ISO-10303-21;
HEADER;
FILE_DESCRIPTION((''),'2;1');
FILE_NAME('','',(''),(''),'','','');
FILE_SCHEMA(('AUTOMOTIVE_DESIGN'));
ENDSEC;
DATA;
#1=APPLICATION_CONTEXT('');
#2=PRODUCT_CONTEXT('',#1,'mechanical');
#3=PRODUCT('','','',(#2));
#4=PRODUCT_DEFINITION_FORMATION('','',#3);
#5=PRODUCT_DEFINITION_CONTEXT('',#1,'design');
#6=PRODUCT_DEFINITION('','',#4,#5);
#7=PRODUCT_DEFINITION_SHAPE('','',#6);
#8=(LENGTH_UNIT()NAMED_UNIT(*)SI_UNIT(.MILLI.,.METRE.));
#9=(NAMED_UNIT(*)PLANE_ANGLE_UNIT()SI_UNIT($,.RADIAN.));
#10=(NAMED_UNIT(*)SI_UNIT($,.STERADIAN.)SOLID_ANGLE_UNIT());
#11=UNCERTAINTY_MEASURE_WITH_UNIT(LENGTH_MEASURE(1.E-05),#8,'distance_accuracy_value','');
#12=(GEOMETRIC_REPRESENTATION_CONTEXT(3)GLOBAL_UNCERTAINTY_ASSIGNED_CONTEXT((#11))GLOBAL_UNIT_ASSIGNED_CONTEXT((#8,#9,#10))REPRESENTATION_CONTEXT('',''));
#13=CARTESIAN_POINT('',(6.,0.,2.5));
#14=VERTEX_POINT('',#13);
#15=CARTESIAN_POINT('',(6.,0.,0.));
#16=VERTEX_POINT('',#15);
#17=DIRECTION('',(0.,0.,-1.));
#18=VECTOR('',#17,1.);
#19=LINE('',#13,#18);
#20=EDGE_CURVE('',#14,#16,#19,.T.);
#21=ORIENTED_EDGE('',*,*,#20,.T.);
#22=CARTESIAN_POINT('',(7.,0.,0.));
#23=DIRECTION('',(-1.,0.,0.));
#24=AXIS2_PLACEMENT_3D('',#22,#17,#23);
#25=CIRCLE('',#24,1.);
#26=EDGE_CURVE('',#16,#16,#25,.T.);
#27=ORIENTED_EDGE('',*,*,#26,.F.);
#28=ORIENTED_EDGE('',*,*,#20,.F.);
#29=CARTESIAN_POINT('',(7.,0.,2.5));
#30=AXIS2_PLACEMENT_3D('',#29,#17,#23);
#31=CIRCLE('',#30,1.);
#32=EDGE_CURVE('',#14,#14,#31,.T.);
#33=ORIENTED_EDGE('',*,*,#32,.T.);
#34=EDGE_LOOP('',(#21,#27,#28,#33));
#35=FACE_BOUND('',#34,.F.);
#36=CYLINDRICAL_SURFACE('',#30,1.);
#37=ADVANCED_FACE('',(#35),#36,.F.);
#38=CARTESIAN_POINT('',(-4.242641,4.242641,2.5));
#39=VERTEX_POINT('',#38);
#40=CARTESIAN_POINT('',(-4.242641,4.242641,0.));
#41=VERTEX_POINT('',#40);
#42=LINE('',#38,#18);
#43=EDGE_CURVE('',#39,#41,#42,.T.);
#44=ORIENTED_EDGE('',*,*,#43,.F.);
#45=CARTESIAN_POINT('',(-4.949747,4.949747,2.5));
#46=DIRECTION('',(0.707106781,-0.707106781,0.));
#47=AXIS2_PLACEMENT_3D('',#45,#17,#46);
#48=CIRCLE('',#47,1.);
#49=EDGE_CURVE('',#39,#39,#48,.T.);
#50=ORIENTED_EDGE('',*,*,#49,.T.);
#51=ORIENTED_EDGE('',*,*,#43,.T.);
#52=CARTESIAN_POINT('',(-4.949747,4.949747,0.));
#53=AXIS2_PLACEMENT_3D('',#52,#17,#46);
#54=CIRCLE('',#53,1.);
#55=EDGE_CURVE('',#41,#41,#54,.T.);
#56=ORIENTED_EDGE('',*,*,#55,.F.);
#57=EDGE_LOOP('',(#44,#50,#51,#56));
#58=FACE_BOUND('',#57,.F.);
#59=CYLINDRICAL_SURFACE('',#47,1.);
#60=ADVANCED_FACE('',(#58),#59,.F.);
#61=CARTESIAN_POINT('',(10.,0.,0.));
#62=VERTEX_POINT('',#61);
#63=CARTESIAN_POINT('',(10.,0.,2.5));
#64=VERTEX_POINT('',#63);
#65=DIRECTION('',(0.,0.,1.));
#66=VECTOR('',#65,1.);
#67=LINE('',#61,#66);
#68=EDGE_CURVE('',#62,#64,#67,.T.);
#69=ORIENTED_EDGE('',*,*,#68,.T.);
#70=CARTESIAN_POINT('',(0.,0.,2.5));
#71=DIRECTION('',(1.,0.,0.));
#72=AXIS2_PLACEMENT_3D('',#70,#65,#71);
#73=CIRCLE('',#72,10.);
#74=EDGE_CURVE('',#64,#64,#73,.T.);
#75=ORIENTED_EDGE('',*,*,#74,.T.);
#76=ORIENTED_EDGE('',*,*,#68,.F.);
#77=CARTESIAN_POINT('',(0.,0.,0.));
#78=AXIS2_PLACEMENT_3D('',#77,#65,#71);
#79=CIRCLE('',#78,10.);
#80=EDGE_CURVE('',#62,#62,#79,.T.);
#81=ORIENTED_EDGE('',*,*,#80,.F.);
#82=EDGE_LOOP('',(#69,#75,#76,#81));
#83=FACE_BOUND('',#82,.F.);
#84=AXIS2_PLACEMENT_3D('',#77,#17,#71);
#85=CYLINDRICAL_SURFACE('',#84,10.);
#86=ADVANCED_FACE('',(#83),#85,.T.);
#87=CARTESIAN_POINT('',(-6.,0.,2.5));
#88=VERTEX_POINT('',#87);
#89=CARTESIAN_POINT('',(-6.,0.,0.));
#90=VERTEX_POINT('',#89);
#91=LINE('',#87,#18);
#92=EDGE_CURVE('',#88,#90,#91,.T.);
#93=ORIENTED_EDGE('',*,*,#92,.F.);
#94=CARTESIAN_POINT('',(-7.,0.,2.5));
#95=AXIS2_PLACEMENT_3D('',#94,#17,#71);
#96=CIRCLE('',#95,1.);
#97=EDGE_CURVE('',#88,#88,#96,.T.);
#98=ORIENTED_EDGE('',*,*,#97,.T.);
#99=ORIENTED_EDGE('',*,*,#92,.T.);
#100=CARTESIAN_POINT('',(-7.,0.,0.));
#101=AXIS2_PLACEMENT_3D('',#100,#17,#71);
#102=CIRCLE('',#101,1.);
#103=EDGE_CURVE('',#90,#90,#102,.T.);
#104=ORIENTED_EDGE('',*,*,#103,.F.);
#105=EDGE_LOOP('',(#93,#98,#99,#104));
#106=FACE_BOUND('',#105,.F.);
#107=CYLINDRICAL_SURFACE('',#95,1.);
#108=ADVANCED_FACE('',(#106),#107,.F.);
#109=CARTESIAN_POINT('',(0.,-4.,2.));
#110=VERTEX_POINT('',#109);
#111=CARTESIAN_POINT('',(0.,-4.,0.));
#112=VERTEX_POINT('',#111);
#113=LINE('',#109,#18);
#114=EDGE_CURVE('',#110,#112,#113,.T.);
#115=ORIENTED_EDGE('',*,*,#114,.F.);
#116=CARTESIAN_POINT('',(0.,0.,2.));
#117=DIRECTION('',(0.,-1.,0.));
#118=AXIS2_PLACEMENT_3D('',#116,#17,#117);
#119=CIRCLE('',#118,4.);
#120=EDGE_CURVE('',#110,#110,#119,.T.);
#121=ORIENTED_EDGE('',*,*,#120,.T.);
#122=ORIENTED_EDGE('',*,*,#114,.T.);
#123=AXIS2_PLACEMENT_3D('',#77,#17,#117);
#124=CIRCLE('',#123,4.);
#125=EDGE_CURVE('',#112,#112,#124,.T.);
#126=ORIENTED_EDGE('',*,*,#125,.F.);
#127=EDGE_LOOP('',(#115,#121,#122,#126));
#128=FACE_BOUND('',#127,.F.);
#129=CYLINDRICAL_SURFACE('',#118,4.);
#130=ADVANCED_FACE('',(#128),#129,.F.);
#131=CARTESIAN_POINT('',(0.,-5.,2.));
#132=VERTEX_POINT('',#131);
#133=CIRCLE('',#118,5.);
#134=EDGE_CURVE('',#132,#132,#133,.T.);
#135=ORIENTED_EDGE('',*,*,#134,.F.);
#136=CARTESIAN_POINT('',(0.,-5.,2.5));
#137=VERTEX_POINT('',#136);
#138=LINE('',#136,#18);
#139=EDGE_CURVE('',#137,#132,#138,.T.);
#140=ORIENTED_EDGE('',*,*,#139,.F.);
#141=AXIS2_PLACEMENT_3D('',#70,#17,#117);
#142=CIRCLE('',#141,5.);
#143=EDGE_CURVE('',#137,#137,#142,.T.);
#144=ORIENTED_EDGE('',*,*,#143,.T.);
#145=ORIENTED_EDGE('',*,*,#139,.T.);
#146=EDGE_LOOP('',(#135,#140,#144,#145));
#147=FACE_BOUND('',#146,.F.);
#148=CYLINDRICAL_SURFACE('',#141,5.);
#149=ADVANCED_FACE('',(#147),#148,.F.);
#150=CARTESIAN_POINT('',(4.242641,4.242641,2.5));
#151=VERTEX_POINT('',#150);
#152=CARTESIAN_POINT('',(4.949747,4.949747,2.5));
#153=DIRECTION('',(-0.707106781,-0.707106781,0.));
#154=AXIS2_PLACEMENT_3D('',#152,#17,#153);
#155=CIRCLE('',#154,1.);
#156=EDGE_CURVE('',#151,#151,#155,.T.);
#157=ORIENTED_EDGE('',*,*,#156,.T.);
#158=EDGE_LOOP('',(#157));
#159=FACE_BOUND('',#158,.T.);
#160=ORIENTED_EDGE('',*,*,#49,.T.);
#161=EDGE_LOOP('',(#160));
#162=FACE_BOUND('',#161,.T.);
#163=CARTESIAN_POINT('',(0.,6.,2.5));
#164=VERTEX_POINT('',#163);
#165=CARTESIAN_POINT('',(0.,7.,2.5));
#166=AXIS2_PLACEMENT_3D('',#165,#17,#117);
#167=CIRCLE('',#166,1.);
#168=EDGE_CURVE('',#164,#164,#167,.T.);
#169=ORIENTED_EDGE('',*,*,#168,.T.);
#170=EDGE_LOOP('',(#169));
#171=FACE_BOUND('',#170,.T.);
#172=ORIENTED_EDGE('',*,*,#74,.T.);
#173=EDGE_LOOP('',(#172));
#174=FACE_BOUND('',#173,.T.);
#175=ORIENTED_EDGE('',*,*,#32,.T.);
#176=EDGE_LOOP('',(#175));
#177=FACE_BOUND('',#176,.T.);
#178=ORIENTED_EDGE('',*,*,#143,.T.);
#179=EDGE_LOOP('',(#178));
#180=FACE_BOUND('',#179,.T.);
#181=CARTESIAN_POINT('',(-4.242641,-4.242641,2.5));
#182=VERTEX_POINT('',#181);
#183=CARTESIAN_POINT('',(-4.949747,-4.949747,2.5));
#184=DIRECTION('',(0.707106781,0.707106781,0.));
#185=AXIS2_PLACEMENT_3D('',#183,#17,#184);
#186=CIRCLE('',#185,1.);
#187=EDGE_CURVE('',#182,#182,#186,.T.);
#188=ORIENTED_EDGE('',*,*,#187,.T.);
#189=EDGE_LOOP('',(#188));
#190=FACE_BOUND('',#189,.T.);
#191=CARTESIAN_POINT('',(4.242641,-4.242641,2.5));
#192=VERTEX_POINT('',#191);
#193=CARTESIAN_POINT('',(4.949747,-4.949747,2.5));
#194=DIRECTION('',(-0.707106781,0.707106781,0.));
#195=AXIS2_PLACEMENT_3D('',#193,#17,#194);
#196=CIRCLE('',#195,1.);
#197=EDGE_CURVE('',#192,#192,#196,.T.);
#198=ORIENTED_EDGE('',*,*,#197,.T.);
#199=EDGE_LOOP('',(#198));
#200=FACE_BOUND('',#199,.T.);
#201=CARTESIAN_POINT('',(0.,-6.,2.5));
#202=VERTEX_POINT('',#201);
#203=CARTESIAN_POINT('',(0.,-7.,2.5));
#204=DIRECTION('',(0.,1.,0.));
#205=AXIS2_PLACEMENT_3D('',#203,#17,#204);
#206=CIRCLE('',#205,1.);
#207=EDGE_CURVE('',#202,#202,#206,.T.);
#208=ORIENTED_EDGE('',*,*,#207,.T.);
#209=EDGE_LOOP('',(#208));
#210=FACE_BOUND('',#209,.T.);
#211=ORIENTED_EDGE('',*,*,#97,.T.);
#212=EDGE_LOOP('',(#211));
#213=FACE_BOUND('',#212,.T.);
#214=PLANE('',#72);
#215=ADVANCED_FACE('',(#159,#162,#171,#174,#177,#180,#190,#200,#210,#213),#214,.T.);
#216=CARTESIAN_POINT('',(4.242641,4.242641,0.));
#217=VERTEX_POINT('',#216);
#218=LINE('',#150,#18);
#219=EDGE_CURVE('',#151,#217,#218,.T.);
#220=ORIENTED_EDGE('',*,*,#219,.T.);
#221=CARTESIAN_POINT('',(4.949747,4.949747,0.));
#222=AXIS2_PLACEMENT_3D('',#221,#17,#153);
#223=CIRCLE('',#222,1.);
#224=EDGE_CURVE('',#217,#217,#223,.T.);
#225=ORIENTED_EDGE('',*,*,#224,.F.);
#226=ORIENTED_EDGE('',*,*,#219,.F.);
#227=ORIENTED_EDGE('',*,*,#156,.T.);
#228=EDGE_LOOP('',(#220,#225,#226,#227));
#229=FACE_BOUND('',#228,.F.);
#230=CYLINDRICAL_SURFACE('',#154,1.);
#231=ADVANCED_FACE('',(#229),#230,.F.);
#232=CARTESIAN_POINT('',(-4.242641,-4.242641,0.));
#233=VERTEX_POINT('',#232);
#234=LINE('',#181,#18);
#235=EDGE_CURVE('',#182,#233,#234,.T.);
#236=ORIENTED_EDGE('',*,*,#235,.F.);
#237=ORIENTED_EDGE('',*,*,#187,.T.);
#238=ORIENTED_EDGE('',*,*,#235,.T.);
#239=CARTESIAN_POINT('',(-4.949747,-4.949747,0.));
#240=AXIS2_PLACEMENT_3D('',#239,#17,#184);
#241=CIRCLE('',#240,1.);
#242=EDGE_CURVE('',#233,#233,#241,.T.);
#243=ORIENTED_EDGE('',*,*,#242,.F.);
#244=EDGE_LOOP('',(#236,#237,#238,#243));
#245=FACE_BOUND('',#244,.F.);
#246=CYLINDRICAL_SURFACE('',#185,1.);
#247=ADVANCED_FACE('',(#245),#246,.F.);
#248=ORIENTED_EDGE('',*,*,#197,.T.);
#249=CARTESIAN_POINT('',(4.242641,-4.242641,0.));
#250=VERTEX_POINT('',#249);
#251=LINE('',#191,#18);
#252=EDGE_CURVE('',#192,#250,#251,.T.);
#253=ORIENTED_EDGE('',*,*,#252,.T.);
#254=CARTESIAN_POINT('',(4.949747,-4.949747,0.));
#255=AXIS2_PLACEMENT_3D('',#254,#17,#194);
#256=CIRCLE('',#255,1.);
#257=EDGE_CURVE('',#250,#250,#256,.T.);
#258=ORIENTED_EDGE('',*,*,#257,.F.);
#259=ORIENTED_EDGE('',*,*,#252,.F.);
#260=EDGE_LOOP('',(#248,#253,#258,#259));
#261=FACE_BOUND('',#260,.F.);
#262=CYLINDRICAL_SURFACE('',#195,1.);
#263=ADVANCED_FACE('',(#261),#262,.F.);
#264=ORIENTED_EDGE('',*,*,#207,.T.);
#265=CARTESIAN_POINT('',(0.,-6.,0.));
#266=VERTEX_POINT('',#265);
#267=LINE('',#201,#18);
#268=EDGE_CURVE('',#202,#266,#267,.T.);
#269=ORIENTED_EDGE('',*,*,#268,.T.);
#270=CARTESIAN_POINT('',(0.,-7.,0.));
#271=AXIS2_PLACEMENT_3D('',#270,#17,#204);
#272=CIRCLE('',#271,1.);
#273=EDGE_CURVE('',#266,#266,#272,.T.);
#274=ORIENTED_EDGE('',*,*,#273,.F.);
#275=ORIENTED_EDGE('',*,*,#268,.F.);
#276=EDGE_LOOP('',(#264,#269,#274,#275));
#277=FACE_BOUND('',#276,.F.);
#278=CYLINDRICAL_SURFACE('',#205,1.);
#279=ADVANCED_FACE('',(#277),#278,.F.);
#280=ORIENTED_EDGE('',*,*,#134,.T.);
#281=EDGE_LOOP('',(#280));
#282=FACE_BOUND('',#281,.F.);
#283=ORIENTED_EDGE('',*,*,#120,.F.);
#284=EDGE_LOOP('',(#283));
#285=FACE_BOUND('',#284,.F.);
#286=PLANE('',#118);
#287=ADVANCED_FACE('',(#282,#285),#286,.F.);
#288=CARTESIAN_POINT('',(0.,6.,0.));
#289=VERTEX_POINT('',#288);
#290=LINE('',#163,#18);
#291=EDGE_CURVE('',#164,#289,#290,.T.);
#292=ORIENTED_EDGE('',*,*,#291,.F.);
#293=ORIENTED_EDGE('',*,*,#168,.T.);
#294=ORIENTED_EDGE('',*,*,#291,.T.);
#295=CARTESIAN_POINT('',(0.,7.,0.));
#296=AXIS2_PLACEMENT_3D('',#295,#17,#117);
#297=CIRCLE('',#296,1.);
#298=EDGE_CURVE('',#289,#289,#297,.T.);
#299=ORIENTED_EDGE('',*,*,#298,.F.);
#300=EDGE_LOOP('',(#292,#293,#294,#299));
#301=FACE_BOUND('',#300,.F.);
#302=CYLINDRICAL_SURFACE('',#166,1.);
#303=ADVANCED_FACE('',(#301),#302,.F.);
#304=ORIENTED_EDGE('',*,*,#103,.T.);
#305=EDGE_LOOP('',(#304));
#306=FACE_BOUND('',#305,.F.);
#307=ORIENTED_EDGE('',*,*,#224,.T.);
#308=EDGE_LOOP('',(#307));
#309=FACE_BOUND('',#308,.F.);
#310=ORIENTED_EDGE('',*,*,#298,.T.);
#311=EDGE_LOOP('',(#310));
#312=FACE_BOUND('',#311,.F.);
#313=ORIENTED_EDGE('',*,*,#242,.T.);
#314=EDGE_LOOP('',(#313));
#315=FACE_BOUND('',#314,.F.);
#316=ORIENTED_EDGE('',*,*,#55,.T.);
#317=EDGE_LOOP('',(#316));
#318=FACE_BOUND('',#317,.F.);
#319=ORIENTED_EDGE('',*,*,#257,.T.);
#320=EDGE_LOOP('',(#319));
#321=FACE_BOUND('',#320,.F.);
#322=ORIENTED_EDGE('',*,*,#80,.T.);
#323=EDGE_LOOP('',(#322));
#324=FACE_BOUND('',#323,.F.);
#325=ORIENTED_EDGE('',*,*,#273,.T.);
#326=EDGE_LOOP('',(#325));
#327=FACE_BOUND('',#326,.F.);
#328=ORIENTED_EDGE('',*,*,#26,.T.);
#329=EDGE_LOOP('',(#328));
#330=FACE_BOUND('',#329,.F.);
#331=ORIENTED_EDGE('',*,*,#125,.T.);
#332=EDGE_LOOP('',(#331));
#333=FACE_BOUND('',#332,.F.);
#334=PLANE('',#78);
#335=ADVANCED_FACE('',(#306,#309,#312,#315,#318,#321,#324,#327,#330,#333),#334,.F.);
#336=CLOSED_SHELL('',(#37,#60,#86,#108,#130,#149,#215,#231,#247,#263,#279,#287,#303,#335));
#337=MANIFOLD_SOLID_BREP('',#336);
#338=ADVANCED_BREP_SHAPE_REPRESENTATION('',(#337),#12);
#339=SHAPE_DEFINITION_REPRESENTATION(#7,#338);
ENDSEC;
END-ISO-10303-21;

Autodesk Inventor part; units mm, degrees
ref_plane "YZ Plane" through (0, 0, 0) normal (1, 0, 0) x (0, 1, 0)
ref_plane "XZ Plane" through (0, 0, 0) normal (0, 1, 0) x (-1, 0, 0)
ref_plane "XY Plane" through (0, 0, 0) normal (0, 0, 1) x (1, 0, 0)
sketch "スケッチ1" plane through (0, 0, 0) normal (0, 0, 1) x (1, 0, 0)
  circle A0 centre (0, 0) radius 10
  dimension "d0" = 20
extrude "押し出し1" add sketch "スケッチ1" along normal blind 2.5
sketch "スケッチ2" plane through (0, 0, 2.5) normal (0, 0, 1) x (1, 0, 0)
  circle A0 centre (0, 0) radius 10 projected
  circle A1 centre (0, 0) radius 5
  dimension "d3" = 10
hole "穴2" at (0, 0, 2.5) direction (0, 0, -1) diameter 10 depth 0.5
sketch "スケッチ4" plane through (0, 0, 2) normal (0, 0, 1) x (1, 0, 0)
  circle A0 centre (0, 0) radius 5 projected
  circle A1 centre (0, 0) radius 4
  dimension "d21" = 8
hole "穴3" at (0, 0, 2) direction (0, 0, -1) diameter 8 end through all
sketch "スケッチ5" plane through (0, 0, 2.5) normal (0, 0, 1) x (1, 0, 0)
  circle A0 centre (0, 0) radius 5 projected
  circle A1 centre (0, 7) radius 1
  dimension "d29" = 7
  dimension "d30" = 2
hole "穴4" at (0, 7, 2.5) direction (0, 0, -1) diameter 2 end through all
pattern_circular "円形状パターン1" count 8 over 360 about axis through (0, 0, 2.25) along (0, 0, 1) of "穴4"
thread "ねじ1" size "M2x0.4" class "6H" standard "ANSI Metric M Profile" full length
thread "ねじ2" size "M2x0.4" class "6H" standard "ANSI Metric M Profile" full length
thread "ねじ3" size "M2x0.4" class "6H" standard "ANSI Metric M Profile" full length
thread "ねじ4" size "M2x0.4" class "6H" standard "ANSI Metric M Profile" full length
thread "ねじ5" size "M2x0.4" class "6H" standard "ANSI Metric M Profile" full length
thread "ねじ6" size "M2x0.4" class "6H" standard "ANSI Metric M Profile" full length
thread "ねじ7" size "M2x0.4" class "6H" standard "ANSI Metric M Profile" full length
thread "ねじ8" size "M2x0.4" class "6H" standard "ANSI Metric M Profile" full length
properties part number "03" material "アルミニウム 6061"
